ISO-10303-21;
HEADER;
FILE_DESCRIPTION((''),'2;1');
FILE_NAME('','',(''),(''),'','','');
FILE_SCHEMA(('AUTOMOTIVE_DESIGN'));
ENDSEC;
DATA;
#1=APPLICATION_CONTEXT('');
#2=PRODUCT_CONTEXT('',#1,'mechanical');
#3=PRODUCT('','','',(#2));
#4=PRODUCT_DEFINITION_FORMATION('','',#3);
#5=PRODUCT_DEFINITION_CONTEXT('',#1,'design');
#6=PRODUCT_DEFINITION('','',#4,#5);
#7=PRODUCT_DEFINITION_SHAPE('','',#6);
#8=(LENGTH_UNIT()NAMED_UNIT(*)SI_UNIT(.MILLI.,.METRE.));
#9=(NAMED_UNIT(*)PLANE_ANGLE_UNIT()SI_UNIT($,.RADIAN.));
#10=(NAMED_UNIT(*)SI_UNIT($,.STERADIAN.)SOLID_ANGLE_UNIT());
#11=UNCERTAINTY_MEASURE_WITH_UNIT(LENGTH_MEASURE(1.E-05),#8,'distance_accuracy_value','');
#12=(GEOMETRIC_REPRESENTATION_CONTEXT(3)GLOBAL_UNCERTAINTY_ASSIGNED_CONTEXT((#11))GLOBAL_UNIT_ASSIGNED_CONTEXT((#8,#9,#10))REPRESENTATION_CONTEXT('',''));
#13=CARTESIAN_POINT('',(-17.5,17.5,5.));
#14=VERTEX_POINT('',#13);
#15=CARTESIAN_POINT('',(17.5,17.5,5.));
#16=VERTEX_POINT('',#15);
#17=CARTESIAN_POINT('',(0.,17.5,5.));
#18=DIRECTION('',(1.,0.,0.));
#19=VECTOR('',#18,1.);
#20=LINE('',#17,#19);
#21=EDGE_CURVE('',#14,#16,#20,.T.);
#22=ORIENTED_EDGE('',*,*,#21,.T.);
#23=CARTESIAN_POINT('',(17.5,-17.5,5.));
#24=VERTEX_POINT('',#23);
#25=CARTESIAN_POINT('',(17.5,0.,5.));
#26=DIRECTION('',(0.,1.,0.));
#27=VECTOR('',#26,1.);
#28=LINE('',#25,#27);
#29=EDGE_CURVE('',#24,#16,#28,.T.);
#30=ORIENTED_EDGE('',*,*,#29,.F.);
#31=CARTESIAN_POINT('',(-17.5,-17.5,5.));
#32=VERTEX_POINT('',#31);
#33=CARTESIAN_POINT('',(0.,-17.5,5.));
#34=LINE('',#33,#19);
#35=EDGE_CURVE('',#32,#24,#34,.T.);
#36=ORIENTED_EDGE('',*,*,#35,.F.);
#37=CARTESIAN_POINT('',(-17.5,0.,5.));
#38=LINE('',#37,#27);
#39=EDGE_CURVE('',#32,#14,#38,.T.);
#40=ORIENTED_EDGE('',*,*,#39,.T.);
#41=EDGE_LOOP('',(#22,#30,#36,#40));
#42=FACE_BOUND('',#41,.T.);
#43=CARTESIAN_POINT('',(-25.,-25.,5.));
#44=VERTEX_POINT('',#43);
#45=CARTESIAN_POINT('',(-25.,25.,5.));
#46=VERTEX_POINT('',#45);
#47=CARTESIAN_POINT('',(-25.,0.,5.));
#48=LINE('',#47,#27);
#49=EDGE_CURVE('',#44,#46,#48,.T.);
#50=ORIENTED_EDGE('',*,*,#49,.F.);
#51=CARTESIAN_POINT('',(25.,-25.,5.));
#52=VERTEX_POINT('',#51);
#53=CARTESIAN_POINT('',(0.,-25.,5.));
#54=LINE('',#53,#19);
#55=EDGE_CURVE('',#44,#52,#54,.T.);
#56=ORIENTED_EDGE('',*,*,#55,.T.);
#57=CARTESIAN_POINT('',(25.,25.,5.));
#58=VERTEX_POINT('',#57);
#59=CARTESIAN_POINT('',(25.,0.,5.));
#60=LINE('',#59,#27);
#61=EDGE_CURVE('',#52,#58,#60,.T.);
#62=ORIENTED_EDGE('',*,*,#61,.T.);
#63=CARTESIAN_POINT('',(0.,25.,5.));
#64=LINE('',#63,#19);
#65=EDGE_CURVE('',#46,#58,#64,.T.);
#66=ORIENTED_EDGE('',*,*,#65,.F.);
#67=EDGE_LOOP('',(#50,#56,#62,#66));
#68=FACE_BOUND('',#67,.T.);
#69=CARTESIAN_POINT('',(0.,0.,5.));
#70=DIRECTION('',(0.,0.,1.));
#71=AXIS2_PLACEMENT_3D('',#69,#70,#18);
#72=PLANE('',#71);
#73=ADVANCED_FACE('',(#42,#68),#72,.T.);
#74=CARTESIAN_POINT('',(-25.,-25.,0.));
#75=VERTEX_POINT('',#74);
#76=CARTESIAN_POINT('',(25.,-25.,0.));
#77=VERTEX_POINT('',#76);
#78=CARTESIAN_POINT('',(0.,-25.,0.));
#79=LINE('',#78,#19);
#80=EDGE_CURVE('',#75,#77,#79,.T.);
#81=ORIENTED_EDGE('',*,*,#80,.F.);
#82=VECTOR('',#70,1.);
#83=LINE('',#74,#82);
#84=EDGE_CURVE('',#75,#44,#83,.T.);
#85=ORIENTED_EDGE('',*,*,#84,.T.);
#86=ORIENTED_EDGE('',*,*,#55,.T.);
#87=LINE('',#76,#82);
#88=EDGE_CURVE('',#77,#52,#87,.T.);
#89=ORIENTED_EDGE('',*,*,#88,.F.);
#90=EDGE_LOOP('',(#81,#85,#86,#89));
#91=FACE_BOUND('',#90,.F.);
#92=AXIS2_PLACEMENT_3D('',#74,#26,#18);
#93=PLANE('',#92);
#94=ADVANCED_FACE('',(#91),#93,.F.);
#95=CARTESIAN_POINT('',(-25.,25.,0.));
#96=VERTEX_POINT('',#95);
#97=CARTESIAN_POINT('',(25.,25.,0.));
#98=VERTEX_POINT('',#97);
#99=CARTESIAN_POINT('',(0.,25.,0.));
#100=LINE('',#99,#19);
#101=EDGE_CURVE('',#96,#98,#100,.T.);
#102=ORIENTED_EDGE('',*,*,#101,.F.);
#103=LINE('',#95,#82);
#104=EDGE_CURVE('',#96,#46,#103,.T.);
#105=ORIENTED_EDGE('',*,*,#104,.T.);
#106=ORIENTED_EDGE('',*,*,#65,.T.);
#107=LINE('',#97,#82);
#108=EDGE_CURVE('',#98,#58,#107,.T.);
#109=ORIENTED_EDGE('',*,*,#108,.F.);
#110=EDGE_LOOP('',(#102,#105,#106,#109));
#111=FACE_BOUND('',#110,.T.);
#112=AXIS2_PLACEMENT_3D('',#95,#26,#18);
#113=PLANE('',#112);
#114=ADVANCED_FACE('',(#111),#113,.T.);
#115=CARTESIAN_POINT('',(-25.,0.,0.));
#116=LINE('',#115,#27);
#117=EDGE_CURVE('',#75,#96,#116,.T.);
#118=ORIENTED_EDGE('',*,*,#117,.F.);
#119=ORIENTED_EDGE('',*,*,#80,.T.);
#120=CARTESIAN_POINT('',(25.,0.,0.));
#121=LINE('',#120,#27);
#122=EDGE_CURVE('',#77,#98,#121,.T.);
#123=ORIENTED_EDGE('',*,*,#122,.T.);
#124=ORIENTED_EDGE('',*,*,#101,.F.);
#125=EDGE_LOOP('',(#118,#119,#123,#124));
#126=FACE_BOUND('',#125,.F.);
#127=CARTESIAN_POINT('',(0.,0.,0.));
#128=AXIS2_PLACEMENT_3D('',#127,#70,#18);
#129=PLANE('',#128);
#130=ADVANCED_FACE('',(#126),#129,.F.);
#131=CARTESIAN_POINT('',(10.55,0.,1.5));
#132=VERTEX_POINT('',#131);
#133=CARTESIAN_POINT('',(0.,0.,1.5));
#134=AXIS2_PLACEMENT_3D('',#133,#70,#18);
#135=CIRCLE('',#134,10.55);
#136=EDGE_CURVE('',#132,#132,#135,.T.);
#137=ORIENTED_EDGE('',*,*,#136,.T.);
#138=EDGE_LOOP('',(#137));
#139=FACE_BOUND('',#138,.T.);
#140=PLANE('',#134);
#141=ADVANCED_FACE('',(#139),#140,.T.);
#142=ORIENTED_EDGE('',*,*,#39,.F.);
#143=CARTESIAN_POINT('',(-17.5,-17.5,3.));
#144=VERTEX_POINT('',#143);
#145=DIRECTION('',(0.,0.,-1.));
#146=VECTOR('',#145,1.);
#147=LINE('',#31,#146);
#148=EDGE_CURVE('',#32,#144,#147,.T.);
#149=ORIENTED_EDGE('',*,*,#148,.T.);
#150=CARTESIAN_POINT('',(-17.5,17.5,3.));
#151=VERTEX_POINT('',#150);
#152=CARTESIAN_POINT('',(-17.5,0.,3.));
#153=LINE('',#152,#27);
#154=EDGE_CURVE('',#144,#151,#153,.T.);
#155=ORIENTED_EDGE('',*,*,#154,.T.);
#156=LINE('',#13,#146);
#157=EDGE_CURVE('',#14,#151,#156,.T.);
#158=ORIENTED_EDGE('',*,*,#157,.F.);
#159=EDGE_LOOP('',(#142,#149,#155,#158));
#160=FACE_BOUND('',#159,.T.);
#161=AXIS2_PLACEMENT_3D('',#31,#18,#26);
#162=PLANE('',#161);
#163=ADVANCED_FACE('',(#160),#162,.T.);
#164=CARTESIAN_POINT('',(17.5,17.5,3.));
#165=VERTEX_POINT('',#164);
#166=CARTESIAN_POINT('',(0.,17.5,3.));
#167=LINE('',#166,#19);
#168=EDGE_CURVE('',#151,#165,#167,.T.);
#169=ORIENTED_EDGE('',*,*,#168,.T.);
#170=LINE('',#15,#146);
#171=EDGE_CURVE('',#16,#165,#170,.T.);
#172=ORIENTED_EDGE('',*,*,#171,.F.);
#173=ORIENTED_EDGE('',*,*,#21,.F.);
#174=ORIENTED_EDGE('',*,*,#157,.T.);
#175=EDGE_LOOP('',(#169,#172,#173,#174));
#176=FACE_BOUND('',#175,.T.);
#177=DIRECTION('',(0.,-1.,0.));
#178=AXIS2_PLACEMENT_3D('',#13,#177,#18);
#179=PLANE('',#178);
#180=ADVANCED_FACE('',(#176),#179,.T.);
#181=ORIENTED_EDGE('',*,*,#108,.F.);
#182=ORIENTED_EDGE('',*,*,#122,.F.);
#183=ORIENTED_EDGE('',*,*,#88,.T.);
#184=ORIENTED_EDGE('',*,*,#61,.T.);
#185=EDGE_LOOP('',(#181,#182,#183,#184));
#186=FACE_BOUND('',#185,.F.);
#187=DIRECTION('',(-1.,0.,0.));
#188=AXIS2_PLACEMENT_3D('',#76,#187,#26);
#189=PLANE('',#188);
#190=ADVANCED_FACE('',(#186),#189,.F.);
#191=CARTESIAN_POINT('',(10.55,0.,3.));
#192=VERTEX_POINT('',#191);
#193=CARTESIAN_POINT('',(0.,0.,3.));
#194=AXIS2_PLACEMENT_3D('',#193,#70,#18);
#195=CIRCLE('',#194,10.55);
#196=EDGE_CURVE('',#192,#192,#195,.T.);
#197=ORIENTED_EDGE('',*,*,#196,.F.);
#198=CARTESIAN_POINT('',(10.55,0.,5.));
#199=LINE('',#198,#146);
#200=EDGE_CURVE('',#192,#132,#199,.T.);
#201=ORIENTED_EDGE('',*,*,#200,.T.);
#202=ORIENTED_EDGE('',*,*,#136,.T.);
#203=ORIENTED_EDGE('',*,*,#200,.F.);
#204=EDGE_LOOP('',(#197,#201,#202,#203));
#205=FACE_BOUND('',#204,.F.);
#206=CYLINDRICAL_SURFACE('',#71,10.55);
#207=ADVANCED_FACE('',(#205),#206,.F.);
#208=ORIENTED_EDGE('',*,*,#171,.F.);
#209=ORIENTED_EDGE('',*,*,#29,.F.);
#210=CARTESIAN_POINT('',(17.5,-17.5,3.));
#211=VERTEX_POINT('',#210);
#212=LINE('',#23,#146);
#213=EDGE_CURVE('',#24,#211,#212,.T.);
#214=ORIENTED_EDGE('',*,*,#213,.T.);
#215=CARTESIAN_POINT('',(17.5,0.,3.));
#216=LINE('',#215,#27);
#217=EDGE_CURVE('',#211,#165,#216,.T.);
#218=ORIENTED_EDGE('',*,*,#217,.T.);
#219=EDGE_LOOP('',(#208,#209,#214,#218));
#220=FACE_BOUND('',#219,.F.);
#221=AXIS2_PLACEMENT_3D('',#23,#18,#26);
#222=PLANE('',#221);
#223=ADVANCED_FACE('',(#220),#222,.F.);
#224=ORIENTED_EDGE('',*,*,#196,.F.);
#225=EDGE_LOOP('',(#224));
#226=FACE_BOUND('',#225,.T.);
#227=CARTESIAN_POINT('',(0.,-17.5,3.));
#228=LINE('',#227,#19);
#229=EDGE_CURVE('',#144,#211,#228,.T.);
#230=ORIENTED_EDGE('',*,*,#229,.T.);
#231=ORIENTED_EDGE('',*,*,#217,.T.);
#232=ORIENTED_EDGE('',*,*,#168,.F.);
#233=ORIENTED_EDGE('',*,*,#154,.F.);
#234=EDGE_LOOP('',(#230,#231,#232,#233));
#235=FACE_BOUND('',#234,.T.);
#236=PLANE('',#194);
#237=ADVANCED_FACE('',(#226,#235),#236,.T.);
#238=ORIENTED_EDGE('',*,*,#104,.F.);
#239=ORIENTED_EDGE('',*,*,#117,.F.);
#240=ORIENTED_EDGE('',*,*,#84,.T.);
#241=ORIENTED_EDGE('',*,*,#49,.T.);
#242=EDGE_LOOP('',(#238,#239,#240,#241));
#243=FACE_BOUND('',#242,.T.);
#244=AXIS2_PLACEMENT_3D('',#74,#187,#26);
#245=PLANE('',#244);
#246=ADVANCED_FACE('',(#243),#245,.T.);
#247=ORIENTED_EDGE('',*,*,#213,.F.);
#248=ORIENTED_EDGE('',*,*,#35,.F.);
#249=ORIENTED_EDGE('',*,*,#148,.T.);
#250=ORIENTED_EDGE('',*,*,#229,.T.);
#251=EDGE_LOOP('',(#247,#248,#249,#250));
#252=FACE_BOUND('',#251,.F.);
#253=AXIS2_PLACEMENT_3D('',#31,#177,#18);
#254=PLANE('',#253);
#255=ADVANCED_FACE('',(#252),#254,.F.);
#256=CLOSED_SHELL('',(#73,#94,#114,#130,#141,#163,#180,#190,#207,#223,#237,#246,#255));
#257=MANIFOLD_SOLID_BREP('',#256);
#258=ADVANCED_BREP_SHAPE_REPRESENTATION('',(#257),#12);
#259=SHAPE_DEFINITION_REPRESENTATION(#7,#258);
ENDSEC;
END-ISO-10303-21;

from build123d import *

# Parameters (mm, degrees)
F0_W     = 50
F0_H     = 50
F0_W_2   = 35
F0_H_2   = 35
F0_R     = 10.55
F1_DEPTH = 5
F2_W     = 35
F2_H     = 35
F2_R     = 10.55
F3_DEPTH = 2
F4_DEPTH = 3.5


with BuildPart() as f1:
    # F0 (on Top) → F1 (new body)
    with BuildSketch(Plane.XY):
        Rectangle(F0_W, F0_H)
        Rectangle(F0_W_2, F0_H_2, mode=Mode.SUBTRACT)
        Rectangle(F0_W_2, F0_H_2)
        Circle(F0_R, mode=Mode.SUBTRACT)
        Circle(F0_R)
    extrude(amount=F1_DEPTH)

    # F2 (on face) → F3 (cut)
    with BuildSketch(Plane.XY.offset(5)):
        Rectangle(F2_W, F2_H)
        Circle(F2_R, mode=Mode.SUBTRACT)
        Circle(F2_R)
    extrude(amount=-F3_DEPTH, mode=Mode.SUBTRACT)

    # F2 (on face) → F4 (cut)
    with BuildSketch(Plane.XY.offset(5)):
        Circle(F2_R)
    extrude(amount=-F4_DEPTH, mode=Mode.SUBTRACT)


solid = f1.part
